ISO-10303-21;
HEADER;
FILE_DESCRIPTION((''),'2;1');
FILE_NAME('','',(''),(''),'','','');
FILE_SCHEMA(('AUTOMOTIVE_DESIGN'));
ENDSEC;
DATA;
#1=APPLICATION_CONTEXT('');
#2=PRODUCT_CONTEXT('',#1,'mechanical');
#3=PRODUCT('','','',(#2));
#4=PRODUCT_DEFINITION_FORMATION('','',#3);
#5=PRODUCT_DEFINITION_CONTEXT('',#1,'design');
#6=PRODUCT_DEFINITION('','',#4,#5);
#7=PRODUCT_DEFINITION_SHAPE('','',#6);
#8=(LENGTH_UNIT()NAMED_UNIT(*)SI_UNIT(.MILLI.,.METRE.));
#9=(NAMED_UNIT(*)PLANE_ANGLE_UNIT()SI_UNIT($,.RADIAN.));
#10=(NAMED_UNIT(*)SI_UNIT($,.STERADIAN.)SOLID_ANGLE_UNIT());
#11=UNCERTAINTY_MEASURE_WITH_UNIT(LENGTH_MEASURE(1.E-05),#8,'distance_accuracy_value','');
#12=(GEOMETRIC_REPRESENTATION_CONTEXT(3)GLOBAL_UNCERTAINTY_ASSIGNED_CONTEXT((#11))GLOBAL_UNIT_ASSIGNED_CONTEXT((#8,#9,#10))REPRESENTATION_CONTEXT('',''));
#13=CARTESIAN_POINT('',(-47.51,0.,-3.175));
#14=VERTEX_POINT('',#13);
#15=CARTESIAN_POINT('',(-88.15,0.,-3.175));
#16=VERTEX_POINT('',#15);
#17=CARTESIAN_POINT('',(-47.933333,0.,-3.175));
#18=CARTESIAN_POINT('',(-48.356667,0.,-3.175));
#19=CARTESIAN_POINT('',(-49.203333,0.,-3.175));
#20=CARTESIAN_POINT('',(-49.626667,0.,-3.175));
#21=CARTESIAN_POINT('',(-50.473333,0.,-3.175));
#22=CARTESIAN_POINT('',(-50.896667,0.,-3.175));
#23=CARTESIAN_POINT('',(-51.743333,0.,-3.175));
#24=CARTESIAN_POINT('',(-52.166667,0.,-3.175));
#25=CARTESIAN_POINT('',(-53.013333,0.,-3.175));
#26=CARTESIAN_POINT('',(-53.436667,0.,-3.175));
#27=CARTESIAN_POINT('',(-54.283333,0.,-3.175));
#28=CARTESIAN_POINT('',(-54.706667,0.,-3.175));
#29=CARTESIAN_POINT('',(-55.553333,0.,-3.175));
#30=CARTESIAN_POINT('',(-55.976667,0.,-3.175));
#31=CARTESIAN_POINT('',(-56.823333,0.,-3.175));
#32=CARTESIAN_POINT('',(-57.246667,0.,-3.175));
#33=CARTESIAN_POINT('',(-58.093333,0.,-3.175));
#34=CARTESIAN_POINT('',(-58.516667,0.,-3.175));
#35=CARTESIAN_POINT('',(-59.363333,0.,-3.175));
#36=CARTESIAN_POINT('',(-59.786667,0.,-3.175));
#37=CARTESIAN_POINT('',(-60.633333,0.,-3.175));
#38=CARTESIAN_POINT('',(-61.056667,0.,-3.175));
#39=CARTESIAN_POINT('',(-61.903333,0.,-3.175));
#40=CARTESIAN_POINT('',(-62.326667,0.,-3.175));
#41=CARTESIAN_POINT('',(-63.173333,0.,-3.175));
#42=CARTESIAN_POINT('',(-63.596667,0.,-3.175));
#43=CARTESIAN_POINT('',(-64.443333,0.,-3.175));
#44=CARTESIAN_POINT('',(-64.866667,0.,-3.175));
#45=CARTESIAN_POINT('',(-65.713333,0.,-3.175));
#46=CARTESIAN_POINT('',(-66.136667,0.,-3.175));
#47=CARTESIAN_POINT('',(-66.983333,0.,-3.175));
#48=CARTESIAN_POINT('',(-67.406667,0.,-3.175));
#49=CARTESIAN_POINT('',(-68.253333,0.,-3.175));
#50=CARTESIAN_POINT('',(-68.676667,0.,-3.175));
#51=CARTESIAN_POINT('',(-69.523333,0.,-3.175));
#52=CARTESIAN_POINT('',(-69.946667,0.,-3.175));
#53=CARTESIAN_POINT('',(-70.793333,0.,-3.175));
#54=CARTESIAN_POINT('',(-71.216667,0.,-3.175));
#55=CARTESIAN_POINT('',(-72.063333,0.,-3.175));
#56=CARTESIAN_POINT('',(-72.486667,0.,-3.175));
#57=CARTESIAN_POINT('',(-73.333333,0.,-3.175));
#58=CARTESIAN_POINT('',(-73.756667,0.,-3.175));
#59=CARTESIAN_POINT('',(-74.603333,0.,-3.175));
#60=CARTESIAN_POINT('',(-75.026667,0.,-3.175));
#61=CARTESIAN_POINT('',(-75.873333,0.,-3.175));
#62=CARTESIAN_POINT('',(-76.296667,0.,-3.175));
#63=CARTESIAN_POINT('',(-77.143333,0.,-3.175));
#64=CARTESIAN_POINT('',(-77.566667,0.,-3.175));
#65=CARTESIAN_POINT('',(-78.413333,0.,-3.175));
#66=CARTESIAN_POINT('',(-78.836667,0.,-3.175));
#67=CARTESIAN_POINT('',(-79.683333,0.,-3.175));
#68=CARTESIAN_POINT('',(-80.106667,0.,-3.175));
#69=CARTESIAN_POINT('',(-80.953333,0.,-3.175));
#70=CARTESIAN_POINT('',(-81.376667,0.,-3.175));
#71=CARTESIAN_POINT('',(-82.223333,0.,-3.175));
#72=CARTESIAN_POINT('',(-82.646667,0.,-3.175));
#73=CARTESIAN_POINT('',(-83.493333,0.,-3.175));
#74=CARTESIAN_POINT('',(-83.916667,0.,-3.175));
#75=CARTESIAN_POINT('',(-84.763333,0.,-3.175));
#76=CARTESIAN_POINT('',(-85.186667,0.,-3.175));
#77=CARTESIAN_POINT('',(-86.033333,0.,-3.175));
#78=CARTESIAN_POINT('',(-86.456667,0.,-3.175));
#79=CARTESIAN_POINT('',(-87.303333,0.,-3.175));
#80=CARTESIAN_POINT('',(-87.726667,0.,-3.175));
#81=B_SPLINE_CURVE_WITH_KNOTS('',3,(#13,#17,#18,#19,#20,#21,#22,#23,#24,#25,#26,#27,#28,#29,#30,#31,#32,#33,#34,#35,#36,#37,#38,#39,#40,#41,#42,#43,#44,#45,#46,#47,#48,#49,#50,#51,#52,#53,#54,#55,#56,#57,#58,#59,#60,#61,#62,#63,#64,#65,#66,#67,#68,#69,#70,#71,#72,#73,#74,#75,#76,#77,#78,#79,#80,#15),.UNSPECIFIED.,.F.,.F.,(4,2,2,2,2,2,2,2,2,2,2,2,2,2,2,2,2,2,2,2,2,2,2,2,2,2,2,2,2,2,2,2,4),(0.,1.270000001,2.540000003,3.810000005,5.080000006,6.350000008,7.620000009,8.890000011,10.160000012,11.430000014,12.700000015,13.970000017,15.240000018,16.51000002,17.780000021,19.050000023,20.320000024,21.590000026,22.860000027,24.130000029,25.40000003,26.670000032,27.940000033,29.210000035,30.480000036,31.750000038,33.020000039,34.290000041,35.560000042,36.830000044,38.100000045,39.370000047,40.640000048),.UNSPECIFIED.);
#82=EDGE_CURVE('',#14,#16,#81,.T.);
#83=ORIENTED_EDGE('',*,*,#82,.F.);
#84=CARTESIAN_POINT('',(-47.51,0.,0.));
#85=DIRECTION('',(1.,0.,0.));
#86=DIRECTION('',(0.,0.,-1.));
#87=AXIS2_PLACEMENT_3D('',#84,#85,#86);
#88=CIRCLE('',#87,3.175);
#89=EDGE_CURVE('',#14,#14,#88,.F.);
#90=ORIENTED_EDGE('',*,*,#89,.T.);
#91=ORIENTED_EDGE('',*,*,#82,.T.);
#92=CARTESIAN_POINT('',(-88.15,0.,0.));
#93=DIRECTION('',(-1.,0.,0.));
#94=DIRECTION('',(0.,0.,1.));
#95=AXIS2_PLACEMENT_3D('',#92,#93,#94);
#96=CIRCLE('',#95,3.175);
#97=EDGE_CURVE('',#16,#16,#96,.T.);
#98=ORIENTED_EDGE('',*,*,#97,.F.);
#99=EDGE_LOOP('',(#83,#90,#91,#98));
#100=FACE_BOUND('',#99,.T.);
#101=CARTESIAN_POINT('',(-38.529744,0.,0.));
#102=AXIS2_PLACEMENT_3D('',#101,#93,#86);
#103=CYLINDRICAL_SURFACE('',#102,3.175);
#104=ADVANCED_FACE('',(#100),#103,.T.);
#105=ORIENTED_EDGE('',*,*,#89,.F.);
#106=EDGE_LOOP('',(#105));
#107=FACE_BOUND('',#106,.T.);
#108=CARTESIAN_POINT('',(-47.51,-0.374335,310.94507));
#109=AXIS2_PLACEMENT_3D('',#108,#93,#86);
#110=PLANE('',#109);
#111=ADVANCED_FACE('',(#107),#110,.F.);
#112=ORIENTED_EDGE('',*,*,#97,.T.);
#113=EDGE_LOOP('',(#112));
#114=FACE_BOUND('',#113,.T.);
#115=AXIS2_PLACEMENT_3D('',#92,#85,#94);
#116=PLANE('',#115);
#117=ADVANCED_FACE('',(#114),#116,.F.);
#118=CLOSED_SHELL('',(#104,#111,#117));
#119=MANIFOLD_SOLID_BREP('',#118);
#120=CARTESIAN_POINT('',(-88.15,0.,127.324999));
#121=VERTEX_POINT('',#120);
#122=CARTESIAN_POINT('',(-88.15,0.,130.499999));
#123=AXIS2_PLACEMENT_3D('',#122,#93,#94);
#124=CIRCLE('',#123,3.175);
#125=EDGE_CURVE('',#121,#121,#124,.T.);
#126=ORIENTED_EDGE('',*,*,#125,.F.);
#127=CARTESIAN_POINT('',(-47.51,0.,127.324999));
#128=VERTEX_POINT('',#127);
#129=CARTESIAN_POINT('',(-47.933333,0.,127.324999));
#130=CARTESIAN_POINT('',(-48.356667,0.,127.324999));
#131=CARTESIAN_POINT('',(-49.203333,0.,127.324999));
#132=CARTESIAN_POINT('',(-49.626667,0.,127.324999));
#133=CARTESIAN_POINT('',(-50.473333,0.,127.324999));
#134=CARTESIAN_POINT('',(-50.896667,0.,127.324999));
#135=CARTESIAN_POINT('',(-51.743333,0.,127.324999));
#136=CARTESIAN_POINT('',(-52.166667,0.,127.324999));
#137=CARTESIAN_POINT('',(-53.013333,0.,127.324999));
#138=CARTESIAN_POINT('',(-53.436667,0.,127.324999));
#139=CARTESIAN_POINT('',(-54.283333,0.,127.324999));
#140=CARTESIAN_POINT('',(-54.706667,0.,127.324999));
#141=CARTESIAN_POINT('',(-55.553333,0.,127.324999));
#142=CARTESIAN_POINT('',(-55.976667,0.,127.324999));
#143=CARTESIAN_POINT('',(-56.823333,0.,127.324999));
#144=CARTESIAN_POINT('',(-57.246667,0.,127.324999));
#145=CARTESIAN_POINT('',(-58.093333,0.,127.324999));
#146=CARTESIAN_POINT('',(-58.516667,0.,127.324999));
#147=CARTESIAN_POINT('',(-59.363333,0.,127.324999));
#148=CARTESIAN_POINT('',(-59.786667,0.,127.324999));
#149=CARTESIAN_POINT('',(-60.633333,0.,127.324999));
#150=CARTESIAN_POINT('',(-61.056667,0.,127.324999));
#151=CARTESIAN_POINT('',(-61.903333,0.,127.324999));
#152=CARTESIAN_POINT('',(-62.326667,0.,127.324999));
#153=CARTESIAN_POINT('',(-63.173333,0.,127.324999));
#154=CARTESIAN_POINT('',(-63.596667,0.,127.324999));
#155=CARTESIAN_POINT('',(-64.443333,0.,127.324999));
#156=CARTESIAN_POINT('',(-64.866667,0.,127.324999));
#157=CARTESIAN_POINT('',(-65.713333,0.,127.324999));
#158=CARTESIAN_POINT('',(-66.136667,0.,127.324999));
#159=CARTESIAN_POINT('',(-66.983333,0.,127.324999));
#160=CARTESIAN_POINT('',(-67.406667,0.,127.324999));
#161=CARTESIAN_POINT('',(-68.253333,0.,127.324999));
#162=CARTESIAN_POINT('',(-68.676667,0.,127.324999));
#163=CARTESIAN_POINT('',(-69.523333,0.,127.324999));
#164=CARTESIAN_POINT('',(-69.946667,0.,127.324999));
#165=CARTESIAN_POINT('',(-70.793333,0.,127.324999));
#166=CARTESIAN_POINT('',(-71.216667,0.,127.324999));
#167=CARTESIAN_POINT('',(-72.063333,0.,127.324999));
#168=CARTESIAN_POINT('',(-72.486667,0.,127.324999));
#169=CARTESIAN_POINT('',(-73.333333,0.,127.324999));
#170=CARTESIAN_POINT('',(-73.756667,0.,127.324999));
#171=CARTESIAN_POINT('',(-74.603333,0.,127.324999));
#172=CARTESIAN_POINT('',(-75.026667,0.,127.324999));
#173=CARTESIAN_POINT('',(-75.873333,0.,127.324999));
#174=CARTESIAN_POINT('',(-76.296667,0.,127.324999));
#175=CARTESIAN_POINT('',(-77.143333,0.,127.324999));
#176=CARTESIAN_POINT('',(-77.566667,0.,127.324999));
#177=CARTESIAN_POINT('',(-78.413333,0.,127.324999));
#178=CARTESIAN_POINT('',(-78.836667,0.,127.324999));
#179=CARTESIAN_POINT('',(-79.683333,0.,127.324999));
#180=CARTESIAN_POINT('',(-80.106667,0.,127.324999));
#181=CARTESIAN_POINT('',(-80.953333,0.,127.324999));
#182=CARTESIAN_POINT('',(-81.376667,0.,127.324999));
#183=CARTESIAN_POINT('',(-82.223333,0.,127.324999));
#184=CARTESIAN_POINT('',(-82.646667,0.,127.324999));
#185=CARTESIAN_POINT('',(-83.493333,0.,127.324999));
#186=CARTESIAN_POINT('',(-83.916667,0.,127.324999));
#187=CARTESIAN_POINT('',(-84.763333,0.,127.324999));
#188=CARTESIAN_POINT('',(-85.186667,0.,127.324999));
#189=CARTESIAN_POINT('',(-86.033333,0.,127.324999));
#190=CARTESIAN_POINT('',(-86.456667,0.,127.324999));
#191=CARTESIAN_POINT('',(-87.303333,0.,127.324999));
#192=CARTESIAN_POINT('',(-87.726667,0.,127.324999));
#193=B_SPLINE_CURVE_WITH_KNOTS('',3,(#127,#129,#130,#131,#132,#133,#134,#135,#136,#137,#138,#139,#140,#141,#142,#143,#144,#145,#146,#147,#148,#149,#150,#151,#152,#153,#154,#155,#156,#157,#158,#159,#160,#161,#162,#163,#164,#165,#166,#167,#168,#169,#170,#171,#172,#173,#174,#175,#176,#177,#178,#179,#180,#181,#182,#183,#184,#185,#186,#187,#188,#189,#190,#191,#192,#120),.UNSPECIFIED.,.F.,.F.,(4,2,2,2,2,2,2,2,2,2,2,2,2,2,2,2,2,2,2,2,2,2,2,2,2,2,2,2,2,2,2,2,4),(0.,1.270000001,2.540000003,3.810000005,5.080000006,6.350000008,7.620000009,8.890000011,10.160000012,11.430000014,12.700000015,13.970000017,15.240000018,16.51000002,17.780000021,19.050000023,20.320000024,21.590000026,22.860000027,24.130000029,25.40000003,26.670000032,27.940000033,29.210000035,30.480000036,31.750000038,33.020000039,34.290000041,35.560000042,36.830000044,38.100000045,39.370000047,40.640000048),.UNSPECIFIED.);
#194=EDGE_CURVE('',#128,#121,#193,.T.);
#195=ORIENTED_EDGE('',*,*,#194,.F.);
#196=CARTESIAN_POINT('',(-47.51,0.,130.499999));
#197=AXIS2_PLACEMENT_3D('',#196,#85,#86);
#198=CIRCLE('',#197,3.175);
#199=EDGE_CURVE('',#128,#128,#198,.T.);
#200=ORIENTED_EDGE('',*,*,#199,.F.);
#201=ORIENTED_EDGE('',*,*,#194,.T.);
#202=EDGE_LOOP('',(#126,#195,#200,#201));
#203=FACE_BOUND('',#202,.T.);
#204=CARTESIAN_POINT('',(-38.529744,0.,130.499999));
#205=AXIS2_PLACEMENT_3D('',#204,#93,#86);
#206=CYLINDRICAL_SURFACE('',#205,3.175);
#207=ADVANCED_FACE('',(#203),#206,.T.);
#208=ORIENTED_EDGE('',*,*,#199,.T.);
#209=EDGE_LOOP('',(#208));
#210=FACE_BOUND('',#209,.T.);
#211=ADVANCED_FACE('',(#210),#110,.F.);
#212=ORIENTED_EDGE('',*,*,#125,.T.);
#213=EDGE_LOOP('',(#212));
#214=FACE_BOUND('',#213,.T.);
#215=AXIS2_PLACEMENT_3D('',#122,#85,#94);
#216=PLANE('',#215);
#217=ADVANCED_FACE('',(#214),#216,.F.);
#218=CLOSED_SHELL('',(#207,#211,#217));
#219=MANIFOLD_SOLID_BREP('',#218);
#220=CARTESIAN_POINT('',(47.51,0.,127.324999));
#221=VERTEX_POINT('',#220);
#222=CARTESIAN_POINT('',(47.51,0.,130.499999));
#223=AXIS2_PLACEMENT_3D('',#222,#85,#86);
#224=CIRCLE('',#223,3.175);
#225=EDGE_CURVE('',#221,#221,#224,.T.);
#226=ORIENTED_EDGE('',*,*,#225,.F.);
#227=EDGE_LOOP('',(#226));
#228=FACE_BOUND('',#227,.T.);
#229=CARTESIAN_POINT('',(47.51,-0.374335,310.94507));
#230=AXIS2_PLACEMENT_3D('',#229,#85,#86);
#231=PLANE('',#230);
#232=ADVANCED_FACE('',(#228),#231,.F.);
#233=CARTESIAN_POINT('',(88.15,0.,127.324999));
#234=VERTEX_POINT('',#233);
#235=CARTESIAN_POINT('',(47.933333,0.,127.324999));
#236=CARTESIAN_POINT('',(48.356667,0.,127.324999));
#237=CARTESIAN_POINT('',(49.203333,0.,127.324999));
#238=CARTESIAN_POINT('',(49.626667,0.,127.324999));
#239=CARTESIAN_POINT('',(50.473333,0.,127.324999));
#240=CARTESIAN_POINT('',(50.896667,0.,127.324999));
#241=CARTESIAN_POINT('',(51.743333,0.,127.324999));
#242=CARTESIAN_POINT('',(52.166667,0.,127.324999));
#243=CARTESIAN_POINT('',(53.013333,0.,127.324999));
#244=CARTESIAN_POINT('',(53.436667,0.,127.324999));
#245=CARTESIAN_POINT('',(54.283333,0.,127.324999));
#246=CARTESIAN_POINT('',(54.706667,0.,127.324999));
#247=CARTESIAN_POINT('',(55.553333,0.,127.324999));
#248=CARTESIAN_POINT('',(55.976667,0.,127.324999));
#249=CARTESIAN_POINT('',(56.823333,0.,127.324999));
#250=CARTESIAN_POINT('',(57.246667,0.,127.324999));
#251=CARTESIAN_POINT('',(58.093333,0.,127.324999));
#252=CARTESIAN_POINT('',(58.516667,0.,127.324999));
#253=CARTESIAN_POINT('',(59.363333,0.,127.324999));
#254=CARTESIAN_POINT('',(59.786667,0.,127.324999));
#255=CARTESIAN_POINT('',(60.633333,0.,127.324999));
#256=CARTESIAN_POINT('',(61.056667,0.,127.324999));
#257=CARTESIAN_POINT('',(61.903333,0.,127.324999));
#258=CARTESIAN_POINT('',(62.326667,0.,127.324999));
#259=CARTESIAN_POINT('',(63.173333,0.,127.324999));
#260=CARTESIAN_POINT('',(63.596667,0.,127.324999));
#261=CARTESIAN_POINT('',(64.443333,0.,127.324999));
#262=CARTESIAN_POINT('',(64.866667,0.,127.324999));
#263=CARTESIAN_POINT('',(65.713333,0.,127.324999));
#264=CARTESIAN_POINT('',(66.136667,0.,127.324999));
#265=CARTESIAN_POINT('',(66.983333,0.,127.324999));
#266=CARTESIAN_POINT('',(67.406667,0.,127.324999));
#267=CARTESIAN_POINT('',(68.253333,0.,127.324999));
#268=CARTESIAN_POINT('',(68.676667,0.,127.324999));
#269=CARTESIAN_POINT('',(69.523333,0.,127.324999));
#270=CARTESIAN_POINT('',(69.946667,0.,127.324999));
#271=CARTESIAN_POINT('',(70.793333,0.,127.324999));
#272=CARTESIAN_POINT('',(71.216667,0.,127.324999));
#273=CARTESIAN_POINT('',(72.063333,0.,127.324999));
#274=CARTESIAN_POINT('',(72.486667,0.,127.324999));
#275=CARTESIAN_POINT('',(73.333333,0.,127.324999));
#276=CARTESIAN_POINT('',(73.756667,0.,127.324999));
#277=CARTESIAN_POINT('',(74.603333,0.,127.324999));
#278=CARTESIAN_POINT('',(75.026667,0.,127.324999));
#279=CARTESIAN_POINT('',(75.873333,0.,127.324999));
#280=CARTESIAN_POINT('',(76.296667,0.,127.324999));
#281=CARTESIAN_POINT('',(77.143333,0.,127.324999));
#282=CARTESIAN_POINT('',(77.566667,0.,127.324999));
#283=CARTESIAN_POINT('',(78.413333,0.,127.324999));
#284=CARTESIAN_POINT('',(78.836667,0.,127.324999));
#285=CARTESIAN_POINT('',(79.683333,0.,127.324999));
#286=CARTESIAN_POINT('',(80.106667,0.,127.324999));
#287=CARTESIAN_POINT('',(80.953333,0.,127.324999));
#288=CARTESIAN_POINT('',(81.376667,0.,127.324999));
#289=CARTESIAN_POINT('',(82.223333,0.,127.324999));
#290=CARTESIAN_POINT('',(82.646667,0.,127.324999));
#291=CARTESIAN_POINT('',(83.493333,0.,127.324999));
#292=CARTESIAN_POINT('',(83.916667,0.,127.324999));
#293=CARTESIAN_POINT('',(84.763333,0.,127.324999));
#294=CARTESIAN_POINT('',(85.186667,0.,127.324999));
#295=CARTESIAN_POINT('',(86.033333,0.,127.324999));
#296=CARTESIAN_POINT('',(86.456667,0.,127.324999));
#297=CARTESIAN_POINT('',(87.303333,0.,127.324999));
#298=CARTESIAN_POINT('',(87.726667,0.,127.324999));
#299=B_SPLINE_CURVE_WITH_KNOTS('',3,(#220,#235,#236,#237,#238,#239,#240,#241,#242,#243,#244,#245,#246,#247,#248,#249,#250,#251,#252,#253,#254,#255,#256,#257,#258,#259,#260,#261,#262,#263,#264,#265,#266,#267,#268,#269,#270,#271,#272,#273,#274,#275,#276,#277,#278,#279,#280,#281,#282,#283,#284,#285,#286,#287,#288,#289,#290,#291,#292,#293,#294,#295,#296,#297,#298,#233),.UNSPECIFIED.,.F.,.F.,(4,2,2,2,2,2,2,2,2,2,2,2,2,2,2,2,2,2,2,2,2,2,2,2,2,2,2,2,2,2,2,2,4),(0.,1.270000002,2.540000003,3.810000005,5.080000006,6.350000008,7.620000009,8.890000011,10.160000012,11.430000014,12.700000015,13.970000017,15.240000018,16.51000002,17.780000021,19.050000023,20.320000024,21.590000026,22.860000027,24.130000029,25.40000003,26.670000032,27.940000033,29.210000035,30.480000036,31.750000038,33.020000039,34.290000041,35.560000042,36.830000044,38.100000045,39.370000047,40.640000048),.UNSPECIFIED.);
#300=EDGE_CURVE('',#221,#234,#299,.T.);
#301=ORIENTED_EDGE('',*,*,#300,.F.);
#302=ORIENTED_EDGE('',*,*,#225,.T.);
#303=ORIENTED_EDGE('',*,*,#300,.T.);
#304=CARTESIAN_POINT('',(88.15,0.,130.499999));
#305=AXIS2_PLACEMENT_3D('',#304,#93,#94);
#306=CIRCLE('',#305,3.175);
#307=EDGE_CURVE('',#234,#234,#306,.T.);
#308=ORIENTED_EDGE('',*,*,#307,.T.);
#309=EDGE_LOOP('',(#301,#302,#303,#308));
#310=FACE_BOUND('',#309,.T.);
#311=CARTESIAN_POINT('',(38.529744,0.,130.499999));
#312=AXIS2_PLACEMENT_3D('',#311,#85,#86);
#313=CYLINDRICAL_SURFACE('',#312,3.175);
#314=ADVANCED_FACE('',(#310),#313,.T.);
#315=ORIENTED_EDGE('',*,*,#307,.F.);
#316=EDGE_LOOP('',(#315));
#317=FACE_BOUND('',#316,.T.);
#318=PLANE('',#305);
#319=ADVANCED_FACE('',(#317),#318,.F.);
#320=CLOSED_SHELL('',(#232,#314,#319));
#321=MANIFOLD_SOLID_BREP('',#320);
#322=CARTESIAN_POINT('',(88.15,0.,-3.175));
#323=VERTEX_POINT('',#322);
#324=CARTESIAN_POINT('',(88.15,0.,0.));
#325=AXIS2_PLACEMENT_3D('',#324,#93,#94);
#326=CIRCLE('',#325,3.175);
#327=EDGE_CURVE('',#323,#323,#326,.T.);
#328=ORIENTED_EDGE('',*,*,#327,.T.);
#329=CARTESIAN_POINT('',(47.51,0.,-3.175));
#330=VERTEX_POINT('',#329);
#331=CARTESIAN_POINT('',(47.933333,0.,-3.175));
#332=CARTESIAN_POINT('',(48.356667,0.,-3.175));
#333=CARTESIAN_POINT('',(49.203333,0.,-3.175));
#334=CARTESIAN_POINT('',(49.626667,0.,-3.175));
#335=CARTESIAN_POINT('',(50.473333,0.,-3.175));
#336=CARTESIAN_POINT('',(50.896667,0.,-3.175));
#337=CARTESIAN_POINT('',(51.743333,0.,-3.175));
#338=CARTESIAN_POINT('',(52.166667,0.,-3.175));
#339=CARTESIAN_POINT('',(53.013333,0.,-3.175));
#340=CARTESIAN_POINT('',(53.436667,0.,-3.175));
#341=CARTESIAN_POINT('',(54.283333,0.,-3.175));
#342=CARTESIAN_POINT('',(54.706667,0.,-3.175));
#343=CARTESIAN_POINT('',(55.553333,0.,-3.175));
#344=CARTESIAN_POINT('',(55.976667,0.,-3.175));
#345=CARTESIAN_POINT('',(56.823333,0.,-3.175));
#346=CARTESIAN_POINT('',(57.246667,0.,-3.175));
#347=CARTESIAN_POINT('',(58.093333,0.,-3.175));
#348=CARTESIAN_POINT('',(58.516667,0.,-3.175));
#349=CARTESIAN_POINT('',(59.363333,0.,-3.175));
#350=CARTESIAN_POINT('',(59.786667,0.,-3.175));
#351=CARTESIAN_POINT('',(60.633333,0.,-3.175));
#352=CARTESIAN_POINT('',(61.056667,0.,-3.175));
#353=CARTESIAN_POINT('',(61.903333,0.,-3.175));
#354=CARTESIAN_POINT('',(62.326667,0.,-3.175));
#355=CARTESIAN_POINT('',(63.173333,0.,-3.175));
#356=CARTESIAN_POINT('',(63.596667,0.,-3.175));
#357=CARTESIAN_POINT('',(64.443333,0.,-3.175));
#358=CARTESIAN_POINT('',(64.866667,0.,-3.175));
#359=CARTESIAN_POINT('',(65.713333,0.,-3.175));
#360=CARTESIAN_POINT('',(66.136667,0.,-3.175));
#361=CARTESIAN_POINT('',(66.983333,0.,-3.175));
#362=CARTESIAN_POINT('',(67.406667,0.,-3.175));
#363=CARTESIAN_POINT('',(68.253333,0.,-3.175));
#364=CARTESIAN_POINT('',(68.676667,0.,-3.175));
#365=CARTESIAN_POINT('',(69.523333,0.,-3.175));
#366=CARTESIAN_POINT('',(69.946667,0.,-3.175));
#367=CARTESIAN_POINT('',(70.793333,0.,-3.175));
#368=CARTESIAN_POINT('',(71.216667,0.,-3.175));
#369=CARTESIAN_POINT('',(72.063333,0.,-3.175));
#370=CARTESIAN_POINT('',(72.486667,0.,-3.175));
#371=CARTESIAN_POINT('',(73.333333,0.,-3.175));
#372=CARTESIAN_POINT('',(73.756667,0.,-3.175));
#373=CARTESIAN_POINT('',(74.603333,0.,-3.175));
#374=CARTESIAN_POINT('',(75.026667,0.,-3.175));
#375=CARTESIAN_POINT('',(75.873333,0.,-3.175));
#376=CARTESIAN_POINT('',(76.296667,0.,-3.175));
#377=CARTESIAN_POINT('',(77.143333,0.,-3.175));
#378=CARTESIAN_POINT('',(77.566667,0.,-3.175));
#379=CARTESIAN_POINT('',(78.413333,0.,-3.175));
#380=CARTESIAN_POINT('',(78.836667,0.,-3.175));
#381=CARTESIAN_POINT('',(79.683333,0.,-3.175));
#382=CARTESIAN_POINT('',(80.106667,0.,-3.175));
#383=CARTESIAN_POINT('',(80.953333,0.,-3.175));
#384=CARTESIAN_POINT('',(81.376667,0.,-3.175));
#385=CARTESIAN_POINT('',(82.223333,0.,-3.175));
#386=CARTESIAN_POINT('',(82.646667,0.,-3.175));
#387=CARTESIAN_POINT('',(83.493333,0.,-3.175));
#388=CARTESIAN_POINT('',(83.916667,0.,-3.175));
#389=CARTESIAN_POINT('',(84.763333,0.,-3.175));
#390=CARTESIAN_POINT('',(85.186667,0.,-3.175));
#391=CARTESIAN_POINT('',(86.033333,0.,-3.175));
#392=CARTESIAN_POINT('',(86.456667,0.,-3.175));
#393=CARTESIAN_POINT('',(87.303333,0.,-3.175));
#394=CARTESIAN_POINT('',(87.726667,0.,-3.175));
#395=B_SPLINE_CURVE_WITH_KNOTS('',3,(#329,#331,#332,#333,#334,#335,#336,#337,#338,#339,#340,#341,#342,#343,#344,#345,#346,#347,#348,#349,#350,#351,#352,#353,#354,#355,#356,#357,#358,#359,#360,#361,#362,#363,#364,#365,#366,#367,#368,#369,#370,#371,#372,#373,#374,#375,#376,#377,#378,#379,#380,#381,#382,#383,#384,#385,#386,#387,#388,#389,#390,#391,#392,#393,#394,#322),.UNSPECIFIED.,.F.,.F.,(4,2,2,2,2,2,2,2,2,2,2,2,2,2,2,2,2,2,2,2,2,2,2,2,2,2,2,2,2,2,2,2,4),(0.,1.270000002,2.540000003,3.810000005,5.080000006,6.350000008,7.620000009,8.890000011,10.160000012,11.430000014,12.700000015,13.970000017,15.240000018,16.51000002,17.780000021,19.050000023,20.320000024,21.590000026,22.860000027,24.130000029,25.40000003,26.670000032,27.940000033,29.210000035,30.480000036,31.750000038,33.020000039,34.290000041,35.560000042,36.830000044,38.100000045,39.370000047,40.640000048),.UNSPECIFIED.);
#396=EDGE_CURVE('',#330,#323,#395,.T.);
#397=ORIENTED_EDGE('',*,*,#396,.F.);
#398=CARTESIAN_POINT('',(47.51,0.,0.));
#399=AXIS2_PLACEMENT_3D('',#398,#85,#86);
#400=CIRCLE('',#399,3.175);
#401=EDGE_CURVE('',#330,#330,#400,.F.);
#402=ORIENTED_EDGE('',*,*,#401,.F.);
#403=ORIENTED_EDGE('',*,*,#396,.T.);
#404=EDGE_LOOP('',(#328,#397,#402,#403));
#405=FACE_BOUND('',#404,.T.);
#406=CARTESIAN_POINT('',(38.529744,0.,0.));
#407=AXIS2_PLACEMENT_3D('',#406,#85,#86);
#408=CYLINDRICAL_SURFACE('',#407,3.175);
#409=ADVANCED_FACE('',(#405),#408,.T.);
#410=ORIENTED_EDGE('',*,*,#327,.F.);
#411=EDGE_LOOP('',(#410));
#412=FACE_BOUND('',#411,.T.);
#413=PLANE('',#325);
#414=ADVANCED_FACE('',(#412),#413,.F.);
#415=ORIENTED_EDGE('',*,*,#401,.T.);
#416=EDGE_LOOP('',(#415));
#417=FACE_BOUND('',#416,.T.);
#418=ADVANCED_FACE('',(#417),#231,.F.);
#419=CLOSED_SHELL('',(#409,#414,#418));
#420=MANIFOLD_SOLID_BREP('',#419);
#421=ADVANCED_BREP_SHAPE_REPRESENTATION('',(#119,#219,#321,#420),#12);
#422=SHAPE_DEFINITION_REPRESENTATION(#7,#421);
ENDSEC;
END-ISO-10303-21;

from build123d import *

# Parameters (mm, degrees)
SKETCH1_R             = 3.175
BOSS_EXTRUDE1_DEPTH   = 40.640000048
BOSS_EXTRUDE1_2_DEPTH = 40.640000048


with BuildPart() as part:
    # Sketch1 → Boss-Extrude1 (new body)
    with BuildSketch(Plane.ZY.offset(-88.15)):
        with Locations(Location((130.499998656, 0, 0), (0, 0, 180))):
            Circle(SKETCH1_R)
    extrude(amount=BOSS_EXTRUDE1_DEPTH)


with BuildPart() as body_2:
    # Sketch1 → Boss-Extrude1 2 (new body)
    with BuildSketch(Plane.ZY.offset(-88.15)):
        with Locations(Location((0, 0, 0), (0, 0, 180))):
            Circle(SKETCH1_R)
    extrude(amount=BOSS_EXTRUDE1_2_DEPTH)


with BuildPart() as body_3:
    # Mirror1: mirrored copy
    add(part.part.mirror(Plane(origin=(0, 0, 0), x_dir=(0, 0, 1), z_dir=(1, 0, 0))))


with BuildPart() as body_4:
    # Mirror1 2: mirrored copy
    add(body_2.part.mirror(Plane(origin=(0, 0, 0), x_dir=(0, 0, 1), z_dir=(1, 0, 0))))


solid = Compound([part.part, body_2.part, body_3.part, body_4.part])
